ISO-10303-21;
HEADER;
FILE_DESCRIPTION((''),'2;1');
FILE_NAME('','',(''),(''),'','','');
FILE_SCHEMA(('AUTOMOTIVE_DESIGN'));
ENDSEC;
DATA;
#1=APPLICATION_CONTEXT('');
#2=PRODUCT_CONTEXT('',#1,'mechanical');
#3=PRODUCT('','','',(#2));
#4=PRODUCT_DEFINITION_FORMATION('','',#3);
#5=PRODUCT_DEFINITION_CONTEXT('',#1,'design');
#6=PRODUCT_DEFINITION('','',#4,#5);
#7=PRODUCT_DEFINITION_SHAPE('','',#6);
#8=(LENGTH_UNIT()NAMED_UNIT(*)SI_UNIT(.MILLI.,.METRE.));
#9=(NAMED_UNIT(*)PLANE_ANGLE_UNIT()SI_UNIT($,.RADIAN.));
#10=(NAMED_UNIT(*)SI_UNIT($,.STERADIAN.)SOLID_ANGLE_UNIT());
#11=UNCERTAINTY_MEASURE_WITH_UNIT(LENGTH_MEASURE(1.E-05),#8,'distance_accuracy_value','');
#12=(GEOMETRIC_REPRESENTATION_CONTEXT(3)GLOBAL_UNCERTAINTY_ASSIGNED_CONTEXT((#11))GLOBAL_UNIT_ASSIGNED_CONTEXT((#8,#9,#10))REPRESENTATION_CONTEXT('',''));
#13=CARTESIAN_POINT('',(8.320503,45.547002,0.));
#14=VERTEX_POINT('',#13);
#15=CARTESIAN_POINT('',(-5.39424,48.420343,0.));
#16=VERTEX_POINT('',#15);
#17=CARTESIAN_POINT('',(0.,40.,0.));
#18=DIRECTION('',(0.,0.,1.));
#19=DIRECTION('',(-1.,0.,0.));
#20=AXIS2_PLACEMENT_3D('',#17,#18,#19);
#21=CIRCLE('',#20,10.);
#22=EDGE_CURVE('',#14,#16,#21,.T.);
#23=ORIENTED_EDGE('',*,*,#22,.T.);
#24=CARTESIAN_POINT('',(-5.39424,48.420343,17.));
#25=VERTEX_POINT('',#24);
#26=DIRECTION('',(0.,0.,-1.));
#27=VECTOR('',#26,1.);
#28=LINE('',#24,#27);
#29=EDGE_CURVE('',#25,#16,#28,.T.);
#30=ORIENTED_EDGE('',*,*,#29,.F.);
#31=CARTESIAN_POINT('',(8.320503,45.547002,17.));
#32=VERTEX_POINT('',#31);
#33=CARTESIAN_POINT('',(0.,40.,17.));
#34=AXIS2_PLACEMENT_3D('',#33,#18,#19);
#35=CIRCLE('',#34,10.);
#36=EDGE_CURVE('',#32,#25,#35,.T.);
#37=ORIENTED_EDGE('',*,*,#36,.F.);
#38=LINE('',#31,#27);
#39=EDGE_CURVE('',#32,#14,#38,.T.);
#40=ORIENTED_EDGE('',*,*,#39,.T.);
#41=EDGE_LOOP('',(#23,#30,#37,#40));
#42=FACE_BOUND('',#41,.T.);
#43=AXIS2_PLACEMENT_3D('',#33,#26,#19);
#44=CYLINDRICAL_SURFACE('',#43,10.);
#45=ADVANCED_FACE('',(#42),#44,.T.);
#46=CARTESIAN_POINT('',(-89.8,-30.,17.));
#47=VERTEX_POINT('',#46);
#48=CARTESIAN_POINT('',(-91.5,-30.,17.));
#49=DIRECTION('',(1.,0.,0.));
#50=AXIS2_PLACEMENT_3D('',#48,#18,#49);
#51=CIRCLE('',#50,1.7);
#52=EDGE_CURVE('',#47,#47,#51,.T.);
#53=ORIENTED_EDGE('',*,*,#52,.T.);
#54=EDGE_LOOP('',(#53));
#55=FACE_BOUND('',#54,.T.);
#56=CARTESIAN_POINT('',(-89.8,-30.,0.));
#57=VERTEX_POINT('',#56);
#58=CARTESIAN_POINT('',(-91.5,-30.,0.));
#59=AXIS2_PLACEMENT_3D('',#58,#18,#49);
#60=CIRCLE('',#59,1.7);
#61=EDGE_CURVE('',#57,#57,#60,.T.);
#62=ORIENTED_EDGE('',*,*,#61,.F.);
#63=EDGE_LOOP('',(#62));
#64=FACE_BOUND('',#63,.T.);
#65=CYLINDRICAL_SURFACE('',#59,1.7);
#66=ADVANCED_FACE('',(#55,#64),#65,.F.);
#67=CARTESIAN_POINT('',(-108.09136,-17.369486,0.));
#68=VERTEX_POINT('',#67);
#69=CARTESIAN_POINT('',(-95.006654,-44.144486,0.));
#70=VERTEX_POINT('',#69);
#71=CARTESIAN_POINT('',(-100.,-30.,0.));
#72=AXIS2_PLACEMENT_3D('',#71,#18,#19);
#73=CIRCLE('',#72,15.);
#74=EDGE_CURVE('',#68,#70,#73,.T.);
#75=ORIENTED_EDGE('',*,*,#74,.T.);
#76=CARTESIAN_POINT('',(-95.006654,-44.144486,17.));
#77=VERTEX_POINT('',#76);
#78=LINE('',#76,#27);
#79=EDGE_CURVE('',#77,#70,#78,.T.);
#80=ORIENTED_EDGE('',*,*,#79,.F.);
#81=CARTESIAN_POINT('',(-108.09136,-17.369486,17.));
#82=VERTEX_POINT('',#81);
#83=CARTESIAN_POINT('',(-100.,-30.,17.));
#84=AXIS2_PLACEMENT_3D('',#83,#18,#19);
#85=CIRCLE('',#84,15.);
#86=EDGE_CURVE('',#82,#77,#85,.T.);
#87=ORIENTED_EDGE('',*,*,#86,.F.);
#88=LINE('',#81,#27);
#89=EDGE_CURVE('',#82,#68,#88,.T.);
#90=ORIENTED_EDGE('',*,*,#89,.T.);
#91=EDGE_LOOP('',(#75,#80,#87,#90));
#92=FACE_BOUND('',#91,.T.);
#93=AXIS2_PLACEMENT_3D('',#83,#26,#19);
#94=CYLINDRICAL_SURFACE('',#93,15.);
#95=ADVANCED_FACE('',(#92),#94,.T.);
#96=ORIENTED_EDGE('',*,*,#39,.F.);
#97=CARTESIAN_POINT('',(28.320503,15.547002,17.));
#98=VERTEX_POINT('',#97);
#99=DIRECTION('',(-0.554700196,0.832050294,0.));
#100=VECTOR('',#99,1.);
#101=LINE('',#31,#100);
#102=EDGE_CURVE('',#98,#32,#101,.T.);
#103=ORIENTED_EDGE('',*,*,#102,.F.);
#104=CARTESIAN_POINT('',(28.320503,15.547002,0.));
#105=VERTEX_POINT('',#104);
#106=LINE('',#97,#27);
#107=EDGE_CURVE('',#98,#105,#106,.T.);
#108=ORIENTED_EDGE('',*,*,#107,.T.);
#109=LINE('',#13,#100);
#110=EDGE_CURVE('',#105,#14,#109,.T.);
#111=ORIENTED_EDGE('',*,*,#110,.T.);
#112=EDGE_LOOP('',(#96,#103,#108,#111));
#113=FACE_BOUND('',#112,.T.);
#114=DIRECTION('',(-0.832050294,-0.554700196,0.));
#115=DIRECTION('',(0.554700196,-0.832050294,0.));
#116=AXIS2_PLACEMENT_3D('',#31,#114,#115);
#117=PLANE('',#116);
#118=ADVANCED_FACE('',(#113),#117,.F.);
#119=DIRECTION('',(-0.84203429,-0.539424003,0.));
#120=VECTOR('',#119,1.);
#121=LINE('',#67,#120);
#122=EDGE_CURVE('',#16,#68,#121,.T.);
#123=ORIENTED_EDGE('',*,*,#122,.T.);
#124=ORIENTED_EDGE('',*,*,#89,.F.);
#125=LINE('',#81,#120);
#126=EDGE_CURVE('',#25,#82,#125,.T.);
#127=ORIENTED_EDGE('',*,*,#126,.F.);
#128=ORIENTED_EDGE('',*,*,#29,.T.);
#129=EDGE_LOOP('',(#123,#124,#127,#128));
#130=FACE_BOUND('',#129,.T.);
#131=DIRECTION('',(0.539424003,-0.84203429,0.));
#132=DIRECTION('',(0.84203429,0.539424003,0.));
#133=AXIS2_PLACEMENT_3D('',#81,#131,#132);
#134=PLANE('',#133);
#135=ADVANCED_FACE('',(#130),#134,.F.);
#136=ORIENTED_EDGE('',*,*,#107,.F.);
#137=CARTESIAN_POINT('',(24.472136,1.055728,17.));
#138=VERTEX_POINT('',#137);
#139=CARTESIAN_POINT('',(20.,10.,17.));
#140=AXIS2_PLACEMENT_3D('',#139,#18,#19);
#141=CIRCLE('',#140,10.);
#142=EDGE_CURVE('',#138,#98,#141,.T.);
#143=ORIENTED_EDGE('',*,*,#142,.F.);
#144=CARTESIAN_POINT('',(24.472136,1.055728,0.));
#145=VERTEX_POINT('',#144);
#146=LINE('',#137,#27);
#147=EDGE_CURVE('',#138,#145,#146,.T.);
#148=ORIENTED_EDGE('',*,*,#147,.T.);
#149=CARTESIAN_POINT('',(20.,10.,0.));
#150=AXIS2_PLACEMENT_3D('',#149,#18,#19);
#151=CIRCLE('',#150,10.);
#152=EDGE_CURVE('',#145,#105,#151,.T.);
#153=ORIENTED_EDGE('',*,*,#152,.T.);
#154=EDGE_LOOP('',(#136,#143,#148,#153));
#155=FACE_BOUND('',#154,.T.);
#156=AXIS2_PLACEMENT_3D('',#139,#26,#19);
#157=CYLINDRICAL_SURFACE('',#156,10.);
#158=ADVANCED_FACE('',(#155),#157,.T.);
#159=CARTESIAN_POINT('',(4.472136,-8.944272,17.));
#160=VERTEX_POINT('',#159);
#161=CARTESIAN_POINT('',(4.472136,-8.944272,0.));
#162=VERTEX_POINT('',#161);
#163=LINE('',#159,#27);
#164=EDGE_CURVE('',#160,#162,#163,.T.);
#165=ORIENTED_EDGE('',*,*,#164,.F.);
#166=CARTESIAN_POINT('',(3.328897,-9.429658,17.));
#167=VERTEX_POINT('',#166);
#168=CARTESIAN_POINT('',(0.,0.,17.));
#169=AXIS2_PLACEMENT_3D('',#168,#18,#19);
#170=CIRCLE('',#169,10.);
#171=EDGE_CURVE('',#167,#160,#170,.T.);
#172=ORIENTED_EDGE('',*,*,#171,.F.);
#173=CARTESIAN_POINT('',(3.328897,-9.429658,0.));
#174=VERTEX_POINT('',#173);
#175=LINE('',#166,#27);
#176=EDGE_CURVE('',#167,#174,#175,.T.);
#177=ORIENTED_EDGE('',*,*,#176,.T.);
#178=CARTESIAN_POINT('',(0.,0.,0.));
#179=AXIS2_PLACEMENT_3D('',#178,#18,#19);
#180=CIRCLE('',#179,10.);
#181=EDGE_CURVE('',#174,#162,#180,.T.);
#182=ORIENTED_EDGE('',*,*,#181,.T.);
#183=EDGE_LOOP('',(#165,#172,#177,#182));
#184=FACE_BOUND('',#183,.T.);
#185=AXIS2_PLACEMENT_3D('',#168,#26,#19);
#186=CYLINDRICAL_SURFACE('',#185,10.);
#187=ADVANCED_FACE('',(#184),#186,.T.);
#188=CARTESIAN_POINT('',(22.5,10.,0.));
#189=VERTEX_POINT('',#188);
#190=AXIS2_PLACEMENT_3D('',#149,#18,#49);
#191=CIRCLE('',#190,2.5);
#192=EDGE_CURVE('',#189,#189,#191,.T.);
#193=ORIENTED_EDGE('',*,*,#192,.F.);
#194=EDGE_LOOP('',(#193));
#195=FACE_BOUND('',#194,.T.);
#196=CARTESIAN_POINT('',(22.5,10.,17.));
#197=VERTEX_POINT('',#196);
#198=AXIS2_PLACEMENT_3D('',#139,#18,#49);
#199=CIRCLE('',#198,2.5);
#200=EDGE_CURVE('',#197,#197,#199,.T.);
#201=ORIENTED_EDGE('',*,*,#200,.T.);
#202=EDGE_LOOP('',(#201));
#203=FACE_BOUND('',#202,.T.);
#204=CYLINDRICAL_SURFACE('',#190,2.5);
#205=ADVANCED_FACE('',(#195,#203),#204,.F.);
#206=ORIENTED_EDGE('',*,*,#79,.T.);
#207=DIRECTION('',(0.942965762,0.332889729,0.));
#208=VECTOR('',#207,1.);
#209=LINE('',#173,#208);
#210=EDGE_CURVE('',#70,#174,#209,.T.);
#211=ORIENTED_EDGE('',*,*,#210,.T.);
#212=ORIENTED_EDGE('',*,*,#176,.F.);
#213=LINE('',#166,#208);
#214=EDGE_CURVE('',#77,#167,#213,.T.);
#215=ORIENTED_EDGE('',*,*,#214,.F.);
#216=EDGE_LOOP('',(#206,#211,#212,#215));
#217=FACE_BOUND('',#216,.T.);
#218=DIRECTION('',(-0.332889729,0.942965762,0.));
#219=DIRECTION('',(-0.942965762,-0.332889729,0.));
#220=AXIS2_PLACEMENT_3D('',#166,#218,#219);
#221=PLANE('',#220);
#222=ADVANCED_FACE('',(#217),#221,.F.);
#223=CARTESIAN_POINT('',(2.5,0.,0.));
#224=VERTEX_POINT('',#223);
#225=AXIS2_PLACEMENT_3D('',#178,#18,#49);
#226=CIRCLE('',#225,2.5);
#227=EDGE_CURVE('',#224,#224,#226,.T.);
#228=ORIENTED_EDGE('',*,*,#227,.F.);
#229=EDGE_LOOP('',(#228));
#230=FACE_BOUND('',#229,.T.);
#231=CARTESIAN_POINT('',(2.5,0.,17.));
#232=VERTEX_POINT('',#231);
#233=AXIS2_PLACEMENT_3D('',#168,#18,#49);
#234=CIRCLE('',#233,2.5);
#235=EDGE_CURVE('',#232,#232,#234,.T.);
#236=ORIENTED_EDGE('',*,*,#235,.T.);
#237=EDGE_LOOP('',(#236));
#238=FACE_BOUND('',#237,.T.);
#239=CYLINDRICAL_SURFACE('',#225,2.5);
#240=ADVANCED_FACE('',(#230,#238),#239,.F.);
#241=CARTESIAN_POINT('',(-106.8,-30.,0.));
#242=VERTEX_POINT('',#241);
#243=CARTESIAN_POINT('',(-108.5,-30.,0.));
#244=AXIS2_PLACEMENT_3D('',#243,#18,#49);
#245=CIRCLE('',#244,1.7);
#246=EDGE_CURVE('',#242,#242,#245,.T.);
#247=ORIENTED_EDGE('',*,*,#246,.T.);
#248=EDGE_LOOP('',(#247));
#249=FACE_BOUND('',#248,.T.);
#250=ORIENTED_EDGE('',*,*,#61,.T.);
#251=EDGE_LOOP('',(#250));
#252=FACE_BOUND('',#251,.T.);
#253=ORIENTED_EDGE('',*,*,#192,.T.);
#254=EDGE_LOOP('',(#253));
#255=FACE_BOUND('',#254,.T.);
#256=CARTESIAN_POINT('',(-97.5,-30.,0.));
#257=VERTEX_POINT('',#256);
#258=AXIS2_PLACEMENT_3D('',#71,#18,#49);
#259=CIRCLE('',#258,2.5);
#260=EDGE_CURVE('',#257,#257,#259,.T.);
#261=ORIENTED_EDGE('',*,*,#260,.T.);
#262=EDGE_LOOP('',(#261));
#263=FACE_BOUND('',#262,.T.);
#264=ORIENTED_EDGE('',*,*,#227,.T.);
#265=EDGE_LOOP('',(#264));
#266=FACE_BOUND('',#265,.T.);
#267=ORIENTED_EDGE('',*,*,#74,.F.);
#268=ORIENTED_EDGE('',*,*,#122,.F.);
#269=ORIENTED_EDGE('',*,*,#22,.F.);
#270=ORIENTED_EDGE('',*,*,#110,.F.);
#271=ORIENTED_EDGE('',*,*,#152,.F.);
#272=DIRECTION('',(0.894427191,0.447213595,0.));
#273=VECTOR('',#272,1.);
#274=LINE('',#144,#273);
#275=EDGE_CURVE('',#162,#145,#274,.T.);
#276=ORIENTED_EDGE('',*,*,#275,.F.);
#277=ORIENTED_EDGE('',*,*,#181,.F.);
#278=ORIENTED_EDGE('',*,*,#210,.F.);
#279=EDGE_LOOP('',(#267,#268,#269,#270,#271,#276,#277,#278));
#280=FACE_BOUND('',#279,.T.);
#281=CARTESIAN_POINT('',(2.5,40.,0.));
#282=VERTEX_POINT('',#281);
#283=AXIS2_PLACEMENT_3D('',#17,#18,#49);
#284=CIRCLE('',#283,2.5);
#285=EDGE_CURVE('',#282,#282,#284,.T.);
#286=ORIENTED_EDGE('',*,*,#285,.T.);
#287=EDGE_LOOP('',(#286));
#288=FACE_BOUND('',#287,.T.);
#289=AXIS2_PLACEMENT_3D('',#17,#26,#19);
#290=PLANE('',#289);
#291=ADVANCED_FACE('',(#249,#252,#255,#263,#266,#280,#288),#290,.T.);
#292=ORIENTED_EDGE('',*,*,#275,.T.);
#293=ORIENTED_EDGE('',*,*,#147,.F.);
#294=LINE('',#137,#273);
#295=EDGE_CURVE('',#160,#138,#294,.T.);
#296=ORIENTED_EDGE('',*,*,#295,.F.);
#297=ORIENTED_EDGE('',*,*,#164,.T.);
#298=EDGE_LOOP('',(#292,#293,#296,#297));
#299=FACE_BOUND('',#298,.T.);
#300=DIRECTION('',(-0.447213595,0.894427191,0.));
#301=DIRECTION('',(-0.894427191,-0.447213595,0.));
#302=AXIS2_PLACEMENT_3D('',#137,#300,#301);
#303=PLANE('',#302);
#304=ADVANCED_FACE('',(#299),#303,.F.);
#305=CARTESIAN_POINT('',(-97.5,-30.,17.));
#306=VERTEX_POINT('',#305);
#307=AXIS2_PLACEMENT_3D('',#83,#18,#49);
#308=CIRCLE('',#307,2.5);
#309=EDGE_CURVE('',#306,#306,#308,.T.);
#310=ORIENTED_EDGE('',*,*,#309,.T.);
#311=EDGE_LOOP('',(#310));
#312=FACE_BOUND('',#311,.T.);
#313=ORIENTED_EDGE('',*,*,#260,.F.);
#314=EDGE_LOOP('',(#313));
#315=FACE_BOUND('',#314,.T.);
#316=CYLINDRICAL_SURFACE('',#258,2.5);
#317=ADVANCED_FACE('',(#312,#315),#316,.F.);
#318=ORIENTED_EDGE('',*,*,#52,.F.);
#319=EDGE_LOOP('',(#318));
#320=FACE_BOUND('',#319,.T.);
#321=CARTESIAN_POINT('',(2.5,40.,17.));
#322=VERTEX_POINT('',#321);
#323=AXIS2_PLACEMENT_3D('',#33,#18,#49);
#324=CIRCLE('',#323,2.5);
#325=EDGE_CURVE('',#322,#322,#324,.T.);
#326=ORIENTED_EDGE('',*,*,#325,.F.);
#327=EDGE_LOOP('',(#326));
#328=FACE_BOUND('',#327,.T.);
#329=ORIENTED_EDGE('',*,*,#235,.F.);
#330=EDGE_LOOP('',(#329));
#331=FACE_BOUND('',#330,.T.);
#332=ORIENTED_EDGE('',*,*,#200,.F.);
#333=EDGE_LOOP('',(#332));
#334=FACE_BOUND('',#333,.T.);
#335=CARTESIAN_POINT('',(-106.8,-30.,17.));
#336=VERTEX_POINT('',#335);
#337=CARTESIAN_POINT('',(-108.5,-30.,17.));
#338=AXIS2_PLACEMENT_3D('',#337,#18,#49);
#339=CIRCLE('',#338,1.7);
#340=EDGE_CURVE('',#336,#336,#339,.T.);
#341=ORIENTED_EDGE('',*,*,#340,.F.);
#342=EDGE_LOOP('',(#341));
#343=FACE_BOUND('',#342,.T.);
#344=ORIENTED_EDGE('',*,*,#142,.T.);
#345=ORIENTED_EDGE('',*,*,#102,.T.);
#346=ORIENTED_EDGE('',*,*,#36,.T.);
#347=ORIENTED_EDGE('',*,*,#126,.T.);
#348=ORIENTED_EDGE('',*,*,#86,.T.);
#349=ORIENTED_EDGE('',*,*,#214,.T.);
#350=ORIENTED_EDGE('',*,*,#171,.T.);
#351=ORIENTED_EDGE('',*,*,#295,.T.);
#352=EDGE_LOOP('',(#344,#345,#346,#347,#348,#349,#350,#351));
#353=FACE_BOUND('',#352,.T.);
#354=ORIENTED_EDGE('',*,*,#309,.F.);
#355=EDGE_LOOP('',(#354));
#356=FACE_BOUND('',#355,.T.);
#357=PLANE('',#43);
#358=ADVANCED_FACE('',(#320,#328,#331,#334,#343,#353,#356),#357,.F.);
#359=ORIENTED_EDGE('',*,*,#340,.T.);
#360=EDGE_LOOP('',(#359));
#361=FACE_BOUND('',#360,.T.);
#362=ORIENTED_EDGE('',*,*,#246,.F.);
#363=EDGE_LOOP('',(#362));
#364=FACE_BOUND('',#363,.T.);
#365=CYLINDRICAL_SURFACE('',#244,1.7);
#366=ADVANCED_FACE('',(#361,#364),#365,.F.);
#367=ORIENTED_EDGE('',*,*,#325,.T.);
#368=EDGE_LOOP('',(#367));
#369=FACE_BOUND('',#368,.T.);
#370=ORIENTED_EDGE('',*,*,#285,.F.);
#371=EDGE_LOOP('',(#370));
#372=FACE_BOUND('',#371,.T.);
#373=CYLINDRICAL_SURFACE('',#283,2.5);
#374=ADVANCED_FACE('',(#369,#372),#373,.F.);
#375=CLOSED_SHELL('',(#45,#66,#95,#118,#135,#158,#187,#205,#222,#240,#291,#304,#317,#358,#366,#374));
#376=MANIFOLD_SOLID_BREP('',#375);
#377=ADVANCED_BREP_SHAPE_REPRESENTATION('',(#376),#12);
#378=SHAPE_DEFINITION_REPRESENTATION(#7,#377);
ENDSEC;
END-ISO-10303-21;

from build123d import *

# Parameters (mm, degrees)
BOSS_EXTRUDE1_DEPTH = 17
SKETCH2_R           = 2.5
CUT_EXTRUDE1_DEPTH  = 127.546434165
SKETCH3_R           = 1.7
CUT_EXTRUDE2_DEPTH  = 127.546434165


with BuildPart() as part:
    # Sketch1 → Boss-Extrude1 (new body)
    with BuildSketch(Plane.XY):
        with BuildLine():
            Line((3.328897286, -9.429657621), (-95.00665407, -44.144486432))
            ThreePointArc((-95.00665407, -44.144486432), (-113.476816743, -36.586001098), (-108.091360043, -17.369485653))
            Line((-108.091360043, -17.369485653), (-5.394240028, 48.420342898))
            ThreePointArc((-5.394240028, 48.420342898), (2.050554972, 49.787503477), (8.320502943, 45.547001962))
            Line((8.320502943, 45.547001962), (28.320502943, 15.547001962))
            ThreePointArc((28.320502943, 15.547001962), (29.664996488, 7.433320648), (24.472135955, 1.05572809))
            Line((24.472135955, 1.05572809), (4.472135955, -8.94427191))
            ThreePointArc((4.472135955, -8.94427191), (3.908059586, -9.204730863), (3.328897286, -9.429657621))
        make_face()
    extrude(amount=BOSS_EXTRUDE1_DEPTH)

    # Sketch2 → Cut-Extrude1 (cut, through all)
    with BuildSketch(Plane.XY.offset(17)):
        with Locations((-100, -30)):
            Circle(SKETCH2_R)
        Circle(SKETCH2_R)
        with Locations((0, 40)):
            Circle(SKETCH2_R)
        with Locations((20, 10)):
            Circle(SKETCH2_R)
    extrude(amount=-CUT_EXTRUDE1_DEPTH, mode=Mode.SUBTRACT)

    # Sketch3 → Cut-Extrude2 (cut, through all)
    with BuildSketch(Plane.XY.offset(17)):
        with Locations((-108.5, -30)):
            Circle(SKETCH3_R)
        with Locations((-91.5, -30)):
            Circle(SKETCH3_R)
    extrude(amount=-CUT_EXTRUDE2_DEPTH, mode=Mode.SUBTRACT)


solid = part.part
